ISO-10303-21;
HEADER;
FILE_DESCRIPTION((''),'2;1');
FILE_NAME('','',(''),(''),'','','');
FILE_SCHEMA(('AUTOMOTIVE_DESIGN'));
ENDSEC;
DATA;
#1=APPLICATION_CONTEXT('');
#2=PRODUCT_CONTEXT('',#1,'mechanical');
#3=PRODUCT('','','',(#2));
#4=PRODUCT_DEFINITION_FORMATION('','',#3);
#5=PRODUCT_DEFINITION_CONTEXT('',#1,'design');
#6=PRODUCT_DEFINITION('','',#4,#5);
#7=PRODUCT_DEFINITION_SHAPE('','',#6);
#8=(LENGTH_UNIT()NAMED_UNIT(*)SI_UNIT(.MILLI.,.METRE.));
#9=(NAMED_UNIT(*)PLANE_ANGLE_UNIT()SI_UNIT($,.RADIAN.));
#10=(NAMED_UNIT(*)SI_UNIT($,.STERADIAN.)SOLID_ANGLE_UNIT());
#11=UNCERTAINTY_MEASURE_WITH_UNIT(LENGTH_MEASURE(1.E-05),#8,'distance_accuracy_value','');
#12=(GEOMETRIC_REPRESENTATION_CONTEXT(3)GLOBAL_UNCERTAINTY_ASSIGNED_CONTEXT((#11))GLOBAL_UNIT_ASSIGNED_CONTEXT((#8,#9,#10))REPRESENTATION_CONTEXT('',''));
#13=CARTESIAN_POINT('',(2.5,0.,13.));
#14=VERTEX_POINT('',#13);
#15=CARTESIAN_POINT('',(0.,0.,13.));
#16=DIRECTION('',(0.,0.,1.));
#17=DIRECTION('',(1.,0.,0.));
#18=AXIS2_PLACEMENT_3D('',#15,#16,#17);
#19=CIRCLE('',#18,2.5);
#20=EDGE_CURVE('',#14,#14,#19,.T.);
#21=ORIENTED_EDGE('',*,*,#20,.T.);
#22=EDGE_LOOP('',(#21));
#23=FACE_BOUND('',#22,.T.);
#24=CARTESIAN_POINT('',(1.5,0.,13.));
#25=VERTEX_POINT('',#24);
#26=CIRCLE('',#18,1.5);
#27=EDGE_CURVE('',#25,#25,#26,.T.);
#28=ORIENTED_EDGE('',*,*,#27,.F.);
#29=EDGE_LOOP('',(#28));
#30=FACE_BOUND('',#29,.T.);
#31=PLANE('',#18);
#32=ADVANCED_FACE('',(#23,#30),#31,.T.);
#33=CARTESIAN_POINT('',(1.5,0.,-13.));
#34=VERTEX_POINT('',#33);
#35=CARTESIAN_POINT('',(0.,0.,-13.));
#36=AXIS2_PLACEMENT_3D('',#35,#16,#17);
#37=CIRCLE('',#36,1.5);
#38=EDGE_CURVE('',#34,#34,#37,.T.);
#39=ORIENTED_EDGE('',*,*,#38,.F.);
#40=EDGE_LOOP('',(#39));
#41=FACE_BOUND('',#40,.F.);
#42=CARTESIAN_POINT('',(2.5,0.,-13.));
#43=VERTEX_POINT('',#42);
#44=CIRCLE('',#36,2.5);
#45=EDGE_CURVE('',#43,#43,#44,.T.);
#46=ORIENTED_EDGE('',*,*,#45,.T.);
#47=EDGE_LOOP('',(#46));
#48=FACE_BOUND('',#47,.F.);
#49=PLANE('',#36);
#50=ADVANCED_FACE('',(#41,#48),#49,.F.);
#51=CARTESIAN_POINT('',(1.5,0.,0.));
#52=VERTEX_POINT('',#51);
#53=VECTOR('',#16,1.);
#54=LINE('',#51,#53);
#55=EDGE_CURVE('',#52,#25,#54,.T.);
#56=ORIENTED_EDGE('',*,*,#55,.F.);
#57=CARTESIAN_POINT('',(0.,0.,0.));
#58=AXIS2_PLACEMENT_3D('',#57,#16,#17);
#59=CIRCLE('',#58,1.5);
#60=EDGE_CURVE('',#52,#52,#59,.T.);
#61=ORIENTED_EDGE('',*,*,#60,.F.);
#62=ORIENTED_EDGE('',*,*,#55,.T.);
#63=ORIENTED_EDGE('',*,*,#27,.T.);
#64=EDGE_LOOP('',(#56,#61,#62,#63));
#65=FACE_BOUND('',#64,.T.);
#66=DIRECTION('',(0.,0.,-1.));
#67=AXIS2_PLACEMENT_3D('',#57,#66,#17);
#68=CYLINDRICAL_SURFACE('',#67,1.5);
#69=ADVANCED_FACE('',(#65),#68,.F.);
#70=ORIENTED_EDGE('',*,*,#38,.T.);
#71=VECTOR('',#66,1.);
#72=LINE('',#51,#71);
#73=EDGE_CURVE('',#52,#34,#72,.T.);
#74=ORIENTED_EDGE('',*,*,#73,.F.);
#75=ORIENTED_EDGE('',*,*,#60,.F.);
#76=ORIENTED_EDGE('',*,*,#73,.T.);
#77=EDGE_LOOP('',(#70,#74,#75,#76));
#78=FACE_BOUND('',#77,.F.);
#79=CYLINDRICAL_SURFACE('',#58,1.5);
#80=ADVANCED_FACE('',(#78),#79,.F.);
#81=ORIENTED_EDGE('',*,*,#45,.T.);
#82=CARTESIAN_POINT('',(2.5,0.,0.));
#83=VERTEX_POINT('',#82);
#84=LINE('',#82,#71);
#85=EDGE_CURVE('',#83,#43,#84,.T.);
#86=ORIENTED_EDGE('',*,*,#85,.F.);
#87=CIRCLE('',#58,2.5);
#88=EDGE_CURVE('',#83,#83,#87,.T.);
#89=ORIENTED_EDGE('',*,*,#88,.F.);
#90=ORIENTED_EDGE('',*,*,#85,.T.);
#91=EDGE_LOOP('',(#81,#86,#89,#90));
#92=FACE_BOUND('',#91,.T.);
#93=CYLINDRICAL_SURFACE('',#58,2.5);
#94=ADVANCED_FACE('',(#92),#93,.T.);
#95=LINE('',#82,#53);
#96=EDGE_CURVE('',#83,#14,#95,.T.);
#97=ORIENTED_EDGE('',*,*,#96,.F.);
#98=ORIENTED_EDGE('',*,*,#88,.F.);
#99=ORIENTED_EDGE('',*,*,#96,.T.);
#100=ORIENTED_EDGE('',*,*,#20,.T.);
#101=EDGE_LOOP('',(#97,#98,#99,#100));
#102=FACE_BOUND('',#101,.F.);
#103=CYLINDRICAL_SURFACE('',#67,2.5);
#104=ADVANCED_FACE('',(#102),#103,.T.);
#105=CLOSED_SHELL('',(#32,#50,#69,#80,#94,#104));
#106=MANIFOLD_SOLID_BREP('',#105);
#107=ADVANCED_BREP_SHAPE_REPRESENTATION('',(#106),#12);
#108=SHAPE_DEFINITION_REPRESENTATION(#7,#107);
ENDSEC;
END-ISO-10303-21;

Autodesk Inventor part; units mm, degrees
ref_plane "YZ Plane" through (0, 0, 0) normal (1, 0, 0) x (0, 1, 0)
ref_plane "XZ Plane" through (0, 0, 0) normal (0, 1, 0) x (-1, 0, 0)
ref_plane "XY Plane" through (0, 0, 0) normal (0, 0, 1) x (1, 0, 0)
sketch "Sketch1" plane through (0, 0, 0) normal (0, 0, 1) x (1, 0, 0)
  circle A0 centre (0, 0) radius 2.5
  circle A1 centre (0, 0) radius 1.5
  dimension "d0" = 5
  dimension "d1" = 3
extrude "Extrusion1" add sketch "Sketch1" along normal mid plane 26
properties part number "Tubing_01"
